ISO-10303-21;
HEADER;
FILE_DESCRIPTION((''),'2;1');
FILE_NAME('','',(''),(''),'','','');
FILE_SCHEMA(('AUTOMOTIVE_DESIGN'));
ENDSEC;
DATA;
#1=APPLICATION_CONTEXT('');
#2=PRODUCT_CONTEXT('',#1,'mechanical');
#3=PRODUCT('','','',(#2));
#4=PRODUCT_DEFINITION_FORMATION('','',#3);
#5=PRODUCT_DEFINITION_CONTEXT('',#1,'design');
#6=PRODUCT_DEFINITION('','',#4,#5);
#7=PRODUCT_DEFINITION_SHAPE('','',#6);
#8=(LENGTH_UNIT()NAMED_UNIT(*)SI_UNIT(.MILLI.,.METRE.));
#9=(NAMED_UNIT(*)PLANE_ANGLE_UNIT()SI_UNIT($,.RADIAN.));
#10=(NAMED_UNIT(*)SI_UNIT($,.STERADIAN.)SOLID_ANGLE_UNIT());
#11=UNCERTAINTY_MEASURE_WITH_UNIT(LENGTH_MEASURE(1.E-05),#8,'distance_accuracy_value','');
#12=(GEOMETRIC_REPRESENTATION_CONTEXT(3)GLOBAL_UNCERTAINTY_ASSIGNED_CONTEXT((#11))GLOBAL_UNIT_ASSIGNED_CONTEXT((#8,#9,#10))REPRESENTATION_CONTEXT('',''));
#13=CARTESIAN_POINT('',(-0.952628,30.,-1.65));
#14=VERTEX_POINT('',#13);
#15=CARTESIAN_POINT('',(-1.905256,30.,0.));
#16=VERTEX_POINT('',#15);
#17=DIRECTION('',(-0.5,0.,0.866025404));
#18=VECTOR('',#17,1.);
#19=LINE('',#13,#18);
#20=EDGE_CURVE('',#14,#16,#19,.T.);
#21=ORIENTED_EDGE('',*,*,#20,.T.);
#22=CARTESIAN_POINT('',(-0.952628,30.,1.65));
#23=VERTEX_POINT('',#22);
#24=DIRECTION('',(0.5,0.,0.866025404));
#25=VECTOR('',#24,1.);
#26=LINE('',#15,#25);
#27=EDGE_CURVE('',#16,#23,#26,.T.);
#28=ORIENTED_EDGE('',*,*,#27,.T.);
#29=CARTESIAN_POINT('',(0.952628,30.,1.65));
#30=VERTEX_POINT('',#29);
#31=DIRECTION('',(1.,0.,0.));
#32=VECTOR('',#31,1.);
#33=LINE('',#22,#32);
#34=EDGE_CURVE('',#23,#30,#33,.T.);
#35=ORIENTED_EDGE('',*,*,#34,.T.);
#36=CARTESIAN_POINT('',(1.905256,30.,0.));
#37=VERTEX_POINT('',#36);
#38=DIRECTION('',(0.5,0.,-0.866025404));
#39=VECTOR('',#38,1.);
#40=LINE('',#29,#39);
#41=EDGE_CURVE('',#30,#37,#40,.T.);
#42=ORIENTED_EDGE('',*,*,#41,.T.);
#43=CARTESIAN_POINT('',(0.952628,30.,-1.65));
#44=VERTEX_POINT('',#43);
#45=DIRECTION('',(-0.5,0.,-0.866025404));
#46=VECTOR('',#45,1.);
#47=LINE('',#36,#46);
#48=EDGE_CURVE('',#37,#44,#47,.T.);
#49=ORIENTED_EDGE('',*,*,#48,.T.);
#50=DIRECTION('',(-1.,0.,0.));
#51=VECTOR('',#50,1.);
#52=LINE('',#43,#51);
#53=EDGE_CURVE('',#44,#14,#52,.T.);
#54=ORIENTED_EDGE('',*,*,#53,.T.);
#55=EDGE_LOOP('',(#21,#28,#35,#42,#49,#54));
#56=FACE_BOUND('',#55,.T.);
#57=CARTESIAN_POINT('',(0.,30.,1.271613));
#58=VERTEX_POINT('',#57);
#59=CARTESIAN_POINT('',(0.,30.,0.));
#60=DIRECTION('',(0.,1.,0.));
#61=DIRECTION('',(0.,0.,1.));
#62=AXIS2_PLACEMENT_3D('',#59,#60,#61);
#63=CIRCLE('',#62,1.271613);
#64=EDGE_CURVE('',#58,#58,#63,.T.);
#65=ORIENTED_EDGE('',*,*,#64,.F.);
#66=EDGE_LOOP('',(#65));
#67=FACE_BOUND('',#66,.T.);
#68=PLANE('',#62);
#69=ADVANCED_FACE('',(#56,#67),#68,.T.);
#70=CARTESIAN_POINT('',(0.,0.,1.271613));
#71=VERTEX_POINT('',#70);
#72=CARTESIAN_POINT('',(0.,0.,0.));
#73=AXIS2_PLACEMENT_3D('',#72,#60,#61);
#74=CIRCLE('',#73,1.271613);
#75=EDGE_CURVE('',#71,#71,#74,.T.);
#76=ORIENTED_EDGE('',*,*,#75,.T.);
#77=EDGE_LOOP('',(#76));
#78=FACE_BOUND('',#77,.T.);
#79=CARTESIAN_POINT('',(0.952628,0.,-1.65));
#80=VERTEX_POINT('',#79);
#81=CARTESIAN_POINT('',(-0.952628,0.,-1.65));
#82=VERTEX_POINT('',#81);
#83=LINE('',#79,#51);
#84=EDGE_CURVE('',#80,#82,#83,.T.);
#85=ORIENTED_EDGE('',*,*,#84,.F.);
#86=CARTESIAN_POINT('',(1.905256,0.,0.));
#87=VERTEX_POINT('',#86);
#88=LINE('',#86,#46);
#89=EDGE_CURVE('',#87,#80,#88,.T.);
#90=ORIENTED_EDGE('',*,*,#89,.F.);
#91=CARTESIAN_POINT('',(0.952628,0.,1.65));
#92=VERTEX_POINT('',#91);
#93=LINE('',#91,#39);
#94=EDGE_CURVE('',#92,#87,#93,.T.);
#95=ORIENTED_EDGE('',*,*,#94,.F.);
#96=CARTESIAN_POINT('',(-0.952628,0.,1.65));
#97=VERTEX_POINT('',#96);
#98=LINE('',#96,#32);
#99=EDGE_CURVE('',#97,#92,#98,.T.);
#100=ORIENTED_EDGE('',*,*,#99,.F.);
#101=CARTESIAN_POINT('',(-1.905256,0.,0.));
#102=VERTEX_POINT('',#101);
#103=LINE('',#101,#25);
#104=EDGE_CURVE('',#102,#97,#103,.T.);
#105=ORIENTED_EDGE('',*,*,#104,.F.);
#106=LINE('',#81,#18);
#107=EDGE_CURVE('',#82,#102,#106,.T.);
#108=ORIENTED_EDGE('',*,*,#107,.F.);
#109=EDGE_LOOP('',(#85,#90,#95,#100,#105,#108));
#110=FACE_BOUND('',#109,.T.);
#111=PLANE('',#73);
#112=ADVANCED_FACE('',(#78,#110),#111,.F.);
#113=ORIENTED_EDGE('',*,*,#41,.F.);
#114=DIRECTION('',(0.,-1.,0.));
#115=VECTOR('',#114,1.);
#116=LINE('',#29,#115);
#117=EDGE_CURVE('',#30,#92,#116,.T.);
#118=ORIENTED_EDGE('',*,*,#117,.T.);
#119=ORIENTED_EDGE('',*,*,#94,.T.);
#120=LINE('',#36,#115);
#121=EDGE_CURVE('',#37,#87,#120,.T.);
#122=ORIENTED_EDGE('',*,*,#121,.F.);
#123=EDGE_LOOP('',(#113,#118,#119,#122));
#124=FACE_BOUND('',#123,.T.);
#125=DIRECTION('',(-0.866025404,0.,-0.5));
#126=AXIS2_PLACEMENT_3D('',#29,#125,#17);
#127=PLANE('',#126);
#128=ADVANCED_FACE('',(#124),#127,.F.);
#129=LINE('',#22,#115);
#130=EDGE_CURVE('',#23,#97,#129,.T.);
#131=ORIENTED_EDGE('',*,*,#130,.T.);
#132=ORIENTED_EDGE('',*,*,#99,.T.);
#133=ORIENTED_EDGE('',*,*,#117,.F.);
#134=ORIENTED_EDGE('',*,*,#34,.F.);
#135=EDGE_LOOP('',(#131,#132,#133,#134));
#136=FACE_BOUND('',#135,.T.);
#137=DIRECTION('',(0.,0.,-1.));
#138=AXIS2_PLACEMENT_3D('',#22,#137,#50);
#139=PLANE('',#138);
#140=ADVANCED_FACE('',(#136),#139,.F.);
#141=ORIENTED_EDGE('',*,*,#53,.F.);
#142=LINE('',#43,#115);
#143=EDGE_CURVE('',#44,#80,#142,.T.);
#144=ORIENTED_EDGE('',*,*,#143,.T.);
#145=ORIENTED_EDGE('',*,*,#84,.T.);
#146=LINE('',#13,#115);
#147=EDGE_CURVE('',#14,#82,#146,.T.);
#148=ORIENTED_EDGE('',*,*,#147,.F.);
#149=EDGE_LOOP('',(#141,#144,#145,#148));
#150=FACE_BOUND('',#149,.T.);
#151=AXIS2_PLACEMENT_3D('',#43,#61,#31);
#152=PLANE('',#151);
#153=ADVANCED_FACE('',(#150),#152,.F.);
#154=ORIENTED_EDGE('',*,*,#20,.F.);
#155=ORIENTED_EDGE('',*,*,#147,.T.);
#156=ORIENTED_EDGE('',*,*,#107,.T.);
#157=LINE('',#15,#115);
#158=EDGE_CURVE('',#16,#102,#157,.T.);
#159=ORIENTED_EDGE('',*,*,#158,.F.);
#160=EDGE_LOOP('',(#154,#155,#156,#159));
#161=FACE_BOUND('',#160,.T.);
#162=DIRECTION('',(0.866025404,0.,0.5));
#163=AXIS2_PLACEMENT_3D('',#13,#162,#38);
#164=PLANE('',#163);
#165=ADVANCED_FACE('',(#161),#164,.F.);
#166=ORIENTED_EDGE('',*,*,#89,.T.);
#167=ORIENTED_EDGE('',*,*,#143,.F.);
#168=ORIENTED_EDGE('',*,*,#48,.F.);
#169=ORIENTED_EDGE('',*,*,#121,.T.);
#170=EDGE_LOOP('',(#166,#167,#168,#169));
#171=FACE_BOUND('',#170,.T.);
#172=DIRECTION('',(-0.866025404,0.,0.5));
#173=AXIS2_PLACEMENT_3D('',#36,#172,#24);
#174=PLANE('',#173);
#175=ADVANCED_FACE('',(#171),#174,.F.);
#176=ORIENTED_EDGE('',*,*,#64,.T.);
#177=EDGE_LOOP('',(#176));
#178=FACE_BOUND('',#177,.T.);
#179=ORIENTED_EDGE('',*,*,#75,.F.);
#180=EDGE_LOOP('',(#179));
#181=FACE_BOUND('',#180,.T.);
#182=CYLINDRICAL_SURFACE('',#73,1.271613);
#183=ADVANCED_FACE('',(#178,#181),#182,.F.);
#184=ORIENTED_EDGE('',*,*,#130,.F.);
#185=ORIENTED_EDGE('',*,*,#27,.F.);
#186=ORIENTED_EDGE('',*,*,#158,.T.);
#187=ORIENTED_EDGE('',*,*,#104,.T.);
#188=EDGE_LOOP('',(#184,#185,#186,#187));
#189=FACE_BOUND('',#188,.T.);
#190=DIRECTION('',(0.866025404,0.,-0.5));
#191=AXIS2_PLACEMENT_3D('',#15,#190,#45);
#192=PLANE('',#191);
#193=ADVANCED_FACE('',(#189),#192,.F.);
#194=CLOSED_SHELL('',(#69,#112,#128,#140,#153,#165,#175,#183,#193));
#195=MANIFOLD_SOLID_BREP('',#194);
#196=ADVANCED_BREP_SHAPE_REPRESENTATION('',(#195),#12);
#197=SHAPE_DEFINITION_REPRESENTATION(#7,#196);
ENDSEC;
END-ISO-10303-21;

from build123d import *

# Parameters (mm, degrees)
BOSS_EXTRUDE1_DEPTH = 30
SKETCH2_R           = 1.271613046
CUT_EXTRUDE1_DEPTH  = 30


with BuildPart() as part:
    # Sketch1 → Boss-Extrude1 (new body)
    with BuildSketch(Plane(origin=(0, 0, 0), x_dir=(1, 0, 0), z_dir=(0, 1, 0))):
        Polygon((1.905255888, 0), (0.952627944, 1.65), (-0.952627944, 1.65), (-1.905255888, 0), (-0.952627944, -1.65), (0.952627944, -1.65), align=None)
    extrude(amount=BOSS_EXTRUDE1_DEPTH)

    # Sketch2 → Cut-Extrude1 (cut)
    with BuildSketch(Plane(origin=(0, 30, 0), x_dir=(1, 0, 0), z_dir=(0, 1, 0))):
        with Locations(Location((0, 0, 0), (0, 0, 270))):
            Circle(SKETCH2_R)
    extrude(amount=-CUT_EXTRUDE1_DEPTH, mode=Mode.SUBTRACT)


solid = part.part
